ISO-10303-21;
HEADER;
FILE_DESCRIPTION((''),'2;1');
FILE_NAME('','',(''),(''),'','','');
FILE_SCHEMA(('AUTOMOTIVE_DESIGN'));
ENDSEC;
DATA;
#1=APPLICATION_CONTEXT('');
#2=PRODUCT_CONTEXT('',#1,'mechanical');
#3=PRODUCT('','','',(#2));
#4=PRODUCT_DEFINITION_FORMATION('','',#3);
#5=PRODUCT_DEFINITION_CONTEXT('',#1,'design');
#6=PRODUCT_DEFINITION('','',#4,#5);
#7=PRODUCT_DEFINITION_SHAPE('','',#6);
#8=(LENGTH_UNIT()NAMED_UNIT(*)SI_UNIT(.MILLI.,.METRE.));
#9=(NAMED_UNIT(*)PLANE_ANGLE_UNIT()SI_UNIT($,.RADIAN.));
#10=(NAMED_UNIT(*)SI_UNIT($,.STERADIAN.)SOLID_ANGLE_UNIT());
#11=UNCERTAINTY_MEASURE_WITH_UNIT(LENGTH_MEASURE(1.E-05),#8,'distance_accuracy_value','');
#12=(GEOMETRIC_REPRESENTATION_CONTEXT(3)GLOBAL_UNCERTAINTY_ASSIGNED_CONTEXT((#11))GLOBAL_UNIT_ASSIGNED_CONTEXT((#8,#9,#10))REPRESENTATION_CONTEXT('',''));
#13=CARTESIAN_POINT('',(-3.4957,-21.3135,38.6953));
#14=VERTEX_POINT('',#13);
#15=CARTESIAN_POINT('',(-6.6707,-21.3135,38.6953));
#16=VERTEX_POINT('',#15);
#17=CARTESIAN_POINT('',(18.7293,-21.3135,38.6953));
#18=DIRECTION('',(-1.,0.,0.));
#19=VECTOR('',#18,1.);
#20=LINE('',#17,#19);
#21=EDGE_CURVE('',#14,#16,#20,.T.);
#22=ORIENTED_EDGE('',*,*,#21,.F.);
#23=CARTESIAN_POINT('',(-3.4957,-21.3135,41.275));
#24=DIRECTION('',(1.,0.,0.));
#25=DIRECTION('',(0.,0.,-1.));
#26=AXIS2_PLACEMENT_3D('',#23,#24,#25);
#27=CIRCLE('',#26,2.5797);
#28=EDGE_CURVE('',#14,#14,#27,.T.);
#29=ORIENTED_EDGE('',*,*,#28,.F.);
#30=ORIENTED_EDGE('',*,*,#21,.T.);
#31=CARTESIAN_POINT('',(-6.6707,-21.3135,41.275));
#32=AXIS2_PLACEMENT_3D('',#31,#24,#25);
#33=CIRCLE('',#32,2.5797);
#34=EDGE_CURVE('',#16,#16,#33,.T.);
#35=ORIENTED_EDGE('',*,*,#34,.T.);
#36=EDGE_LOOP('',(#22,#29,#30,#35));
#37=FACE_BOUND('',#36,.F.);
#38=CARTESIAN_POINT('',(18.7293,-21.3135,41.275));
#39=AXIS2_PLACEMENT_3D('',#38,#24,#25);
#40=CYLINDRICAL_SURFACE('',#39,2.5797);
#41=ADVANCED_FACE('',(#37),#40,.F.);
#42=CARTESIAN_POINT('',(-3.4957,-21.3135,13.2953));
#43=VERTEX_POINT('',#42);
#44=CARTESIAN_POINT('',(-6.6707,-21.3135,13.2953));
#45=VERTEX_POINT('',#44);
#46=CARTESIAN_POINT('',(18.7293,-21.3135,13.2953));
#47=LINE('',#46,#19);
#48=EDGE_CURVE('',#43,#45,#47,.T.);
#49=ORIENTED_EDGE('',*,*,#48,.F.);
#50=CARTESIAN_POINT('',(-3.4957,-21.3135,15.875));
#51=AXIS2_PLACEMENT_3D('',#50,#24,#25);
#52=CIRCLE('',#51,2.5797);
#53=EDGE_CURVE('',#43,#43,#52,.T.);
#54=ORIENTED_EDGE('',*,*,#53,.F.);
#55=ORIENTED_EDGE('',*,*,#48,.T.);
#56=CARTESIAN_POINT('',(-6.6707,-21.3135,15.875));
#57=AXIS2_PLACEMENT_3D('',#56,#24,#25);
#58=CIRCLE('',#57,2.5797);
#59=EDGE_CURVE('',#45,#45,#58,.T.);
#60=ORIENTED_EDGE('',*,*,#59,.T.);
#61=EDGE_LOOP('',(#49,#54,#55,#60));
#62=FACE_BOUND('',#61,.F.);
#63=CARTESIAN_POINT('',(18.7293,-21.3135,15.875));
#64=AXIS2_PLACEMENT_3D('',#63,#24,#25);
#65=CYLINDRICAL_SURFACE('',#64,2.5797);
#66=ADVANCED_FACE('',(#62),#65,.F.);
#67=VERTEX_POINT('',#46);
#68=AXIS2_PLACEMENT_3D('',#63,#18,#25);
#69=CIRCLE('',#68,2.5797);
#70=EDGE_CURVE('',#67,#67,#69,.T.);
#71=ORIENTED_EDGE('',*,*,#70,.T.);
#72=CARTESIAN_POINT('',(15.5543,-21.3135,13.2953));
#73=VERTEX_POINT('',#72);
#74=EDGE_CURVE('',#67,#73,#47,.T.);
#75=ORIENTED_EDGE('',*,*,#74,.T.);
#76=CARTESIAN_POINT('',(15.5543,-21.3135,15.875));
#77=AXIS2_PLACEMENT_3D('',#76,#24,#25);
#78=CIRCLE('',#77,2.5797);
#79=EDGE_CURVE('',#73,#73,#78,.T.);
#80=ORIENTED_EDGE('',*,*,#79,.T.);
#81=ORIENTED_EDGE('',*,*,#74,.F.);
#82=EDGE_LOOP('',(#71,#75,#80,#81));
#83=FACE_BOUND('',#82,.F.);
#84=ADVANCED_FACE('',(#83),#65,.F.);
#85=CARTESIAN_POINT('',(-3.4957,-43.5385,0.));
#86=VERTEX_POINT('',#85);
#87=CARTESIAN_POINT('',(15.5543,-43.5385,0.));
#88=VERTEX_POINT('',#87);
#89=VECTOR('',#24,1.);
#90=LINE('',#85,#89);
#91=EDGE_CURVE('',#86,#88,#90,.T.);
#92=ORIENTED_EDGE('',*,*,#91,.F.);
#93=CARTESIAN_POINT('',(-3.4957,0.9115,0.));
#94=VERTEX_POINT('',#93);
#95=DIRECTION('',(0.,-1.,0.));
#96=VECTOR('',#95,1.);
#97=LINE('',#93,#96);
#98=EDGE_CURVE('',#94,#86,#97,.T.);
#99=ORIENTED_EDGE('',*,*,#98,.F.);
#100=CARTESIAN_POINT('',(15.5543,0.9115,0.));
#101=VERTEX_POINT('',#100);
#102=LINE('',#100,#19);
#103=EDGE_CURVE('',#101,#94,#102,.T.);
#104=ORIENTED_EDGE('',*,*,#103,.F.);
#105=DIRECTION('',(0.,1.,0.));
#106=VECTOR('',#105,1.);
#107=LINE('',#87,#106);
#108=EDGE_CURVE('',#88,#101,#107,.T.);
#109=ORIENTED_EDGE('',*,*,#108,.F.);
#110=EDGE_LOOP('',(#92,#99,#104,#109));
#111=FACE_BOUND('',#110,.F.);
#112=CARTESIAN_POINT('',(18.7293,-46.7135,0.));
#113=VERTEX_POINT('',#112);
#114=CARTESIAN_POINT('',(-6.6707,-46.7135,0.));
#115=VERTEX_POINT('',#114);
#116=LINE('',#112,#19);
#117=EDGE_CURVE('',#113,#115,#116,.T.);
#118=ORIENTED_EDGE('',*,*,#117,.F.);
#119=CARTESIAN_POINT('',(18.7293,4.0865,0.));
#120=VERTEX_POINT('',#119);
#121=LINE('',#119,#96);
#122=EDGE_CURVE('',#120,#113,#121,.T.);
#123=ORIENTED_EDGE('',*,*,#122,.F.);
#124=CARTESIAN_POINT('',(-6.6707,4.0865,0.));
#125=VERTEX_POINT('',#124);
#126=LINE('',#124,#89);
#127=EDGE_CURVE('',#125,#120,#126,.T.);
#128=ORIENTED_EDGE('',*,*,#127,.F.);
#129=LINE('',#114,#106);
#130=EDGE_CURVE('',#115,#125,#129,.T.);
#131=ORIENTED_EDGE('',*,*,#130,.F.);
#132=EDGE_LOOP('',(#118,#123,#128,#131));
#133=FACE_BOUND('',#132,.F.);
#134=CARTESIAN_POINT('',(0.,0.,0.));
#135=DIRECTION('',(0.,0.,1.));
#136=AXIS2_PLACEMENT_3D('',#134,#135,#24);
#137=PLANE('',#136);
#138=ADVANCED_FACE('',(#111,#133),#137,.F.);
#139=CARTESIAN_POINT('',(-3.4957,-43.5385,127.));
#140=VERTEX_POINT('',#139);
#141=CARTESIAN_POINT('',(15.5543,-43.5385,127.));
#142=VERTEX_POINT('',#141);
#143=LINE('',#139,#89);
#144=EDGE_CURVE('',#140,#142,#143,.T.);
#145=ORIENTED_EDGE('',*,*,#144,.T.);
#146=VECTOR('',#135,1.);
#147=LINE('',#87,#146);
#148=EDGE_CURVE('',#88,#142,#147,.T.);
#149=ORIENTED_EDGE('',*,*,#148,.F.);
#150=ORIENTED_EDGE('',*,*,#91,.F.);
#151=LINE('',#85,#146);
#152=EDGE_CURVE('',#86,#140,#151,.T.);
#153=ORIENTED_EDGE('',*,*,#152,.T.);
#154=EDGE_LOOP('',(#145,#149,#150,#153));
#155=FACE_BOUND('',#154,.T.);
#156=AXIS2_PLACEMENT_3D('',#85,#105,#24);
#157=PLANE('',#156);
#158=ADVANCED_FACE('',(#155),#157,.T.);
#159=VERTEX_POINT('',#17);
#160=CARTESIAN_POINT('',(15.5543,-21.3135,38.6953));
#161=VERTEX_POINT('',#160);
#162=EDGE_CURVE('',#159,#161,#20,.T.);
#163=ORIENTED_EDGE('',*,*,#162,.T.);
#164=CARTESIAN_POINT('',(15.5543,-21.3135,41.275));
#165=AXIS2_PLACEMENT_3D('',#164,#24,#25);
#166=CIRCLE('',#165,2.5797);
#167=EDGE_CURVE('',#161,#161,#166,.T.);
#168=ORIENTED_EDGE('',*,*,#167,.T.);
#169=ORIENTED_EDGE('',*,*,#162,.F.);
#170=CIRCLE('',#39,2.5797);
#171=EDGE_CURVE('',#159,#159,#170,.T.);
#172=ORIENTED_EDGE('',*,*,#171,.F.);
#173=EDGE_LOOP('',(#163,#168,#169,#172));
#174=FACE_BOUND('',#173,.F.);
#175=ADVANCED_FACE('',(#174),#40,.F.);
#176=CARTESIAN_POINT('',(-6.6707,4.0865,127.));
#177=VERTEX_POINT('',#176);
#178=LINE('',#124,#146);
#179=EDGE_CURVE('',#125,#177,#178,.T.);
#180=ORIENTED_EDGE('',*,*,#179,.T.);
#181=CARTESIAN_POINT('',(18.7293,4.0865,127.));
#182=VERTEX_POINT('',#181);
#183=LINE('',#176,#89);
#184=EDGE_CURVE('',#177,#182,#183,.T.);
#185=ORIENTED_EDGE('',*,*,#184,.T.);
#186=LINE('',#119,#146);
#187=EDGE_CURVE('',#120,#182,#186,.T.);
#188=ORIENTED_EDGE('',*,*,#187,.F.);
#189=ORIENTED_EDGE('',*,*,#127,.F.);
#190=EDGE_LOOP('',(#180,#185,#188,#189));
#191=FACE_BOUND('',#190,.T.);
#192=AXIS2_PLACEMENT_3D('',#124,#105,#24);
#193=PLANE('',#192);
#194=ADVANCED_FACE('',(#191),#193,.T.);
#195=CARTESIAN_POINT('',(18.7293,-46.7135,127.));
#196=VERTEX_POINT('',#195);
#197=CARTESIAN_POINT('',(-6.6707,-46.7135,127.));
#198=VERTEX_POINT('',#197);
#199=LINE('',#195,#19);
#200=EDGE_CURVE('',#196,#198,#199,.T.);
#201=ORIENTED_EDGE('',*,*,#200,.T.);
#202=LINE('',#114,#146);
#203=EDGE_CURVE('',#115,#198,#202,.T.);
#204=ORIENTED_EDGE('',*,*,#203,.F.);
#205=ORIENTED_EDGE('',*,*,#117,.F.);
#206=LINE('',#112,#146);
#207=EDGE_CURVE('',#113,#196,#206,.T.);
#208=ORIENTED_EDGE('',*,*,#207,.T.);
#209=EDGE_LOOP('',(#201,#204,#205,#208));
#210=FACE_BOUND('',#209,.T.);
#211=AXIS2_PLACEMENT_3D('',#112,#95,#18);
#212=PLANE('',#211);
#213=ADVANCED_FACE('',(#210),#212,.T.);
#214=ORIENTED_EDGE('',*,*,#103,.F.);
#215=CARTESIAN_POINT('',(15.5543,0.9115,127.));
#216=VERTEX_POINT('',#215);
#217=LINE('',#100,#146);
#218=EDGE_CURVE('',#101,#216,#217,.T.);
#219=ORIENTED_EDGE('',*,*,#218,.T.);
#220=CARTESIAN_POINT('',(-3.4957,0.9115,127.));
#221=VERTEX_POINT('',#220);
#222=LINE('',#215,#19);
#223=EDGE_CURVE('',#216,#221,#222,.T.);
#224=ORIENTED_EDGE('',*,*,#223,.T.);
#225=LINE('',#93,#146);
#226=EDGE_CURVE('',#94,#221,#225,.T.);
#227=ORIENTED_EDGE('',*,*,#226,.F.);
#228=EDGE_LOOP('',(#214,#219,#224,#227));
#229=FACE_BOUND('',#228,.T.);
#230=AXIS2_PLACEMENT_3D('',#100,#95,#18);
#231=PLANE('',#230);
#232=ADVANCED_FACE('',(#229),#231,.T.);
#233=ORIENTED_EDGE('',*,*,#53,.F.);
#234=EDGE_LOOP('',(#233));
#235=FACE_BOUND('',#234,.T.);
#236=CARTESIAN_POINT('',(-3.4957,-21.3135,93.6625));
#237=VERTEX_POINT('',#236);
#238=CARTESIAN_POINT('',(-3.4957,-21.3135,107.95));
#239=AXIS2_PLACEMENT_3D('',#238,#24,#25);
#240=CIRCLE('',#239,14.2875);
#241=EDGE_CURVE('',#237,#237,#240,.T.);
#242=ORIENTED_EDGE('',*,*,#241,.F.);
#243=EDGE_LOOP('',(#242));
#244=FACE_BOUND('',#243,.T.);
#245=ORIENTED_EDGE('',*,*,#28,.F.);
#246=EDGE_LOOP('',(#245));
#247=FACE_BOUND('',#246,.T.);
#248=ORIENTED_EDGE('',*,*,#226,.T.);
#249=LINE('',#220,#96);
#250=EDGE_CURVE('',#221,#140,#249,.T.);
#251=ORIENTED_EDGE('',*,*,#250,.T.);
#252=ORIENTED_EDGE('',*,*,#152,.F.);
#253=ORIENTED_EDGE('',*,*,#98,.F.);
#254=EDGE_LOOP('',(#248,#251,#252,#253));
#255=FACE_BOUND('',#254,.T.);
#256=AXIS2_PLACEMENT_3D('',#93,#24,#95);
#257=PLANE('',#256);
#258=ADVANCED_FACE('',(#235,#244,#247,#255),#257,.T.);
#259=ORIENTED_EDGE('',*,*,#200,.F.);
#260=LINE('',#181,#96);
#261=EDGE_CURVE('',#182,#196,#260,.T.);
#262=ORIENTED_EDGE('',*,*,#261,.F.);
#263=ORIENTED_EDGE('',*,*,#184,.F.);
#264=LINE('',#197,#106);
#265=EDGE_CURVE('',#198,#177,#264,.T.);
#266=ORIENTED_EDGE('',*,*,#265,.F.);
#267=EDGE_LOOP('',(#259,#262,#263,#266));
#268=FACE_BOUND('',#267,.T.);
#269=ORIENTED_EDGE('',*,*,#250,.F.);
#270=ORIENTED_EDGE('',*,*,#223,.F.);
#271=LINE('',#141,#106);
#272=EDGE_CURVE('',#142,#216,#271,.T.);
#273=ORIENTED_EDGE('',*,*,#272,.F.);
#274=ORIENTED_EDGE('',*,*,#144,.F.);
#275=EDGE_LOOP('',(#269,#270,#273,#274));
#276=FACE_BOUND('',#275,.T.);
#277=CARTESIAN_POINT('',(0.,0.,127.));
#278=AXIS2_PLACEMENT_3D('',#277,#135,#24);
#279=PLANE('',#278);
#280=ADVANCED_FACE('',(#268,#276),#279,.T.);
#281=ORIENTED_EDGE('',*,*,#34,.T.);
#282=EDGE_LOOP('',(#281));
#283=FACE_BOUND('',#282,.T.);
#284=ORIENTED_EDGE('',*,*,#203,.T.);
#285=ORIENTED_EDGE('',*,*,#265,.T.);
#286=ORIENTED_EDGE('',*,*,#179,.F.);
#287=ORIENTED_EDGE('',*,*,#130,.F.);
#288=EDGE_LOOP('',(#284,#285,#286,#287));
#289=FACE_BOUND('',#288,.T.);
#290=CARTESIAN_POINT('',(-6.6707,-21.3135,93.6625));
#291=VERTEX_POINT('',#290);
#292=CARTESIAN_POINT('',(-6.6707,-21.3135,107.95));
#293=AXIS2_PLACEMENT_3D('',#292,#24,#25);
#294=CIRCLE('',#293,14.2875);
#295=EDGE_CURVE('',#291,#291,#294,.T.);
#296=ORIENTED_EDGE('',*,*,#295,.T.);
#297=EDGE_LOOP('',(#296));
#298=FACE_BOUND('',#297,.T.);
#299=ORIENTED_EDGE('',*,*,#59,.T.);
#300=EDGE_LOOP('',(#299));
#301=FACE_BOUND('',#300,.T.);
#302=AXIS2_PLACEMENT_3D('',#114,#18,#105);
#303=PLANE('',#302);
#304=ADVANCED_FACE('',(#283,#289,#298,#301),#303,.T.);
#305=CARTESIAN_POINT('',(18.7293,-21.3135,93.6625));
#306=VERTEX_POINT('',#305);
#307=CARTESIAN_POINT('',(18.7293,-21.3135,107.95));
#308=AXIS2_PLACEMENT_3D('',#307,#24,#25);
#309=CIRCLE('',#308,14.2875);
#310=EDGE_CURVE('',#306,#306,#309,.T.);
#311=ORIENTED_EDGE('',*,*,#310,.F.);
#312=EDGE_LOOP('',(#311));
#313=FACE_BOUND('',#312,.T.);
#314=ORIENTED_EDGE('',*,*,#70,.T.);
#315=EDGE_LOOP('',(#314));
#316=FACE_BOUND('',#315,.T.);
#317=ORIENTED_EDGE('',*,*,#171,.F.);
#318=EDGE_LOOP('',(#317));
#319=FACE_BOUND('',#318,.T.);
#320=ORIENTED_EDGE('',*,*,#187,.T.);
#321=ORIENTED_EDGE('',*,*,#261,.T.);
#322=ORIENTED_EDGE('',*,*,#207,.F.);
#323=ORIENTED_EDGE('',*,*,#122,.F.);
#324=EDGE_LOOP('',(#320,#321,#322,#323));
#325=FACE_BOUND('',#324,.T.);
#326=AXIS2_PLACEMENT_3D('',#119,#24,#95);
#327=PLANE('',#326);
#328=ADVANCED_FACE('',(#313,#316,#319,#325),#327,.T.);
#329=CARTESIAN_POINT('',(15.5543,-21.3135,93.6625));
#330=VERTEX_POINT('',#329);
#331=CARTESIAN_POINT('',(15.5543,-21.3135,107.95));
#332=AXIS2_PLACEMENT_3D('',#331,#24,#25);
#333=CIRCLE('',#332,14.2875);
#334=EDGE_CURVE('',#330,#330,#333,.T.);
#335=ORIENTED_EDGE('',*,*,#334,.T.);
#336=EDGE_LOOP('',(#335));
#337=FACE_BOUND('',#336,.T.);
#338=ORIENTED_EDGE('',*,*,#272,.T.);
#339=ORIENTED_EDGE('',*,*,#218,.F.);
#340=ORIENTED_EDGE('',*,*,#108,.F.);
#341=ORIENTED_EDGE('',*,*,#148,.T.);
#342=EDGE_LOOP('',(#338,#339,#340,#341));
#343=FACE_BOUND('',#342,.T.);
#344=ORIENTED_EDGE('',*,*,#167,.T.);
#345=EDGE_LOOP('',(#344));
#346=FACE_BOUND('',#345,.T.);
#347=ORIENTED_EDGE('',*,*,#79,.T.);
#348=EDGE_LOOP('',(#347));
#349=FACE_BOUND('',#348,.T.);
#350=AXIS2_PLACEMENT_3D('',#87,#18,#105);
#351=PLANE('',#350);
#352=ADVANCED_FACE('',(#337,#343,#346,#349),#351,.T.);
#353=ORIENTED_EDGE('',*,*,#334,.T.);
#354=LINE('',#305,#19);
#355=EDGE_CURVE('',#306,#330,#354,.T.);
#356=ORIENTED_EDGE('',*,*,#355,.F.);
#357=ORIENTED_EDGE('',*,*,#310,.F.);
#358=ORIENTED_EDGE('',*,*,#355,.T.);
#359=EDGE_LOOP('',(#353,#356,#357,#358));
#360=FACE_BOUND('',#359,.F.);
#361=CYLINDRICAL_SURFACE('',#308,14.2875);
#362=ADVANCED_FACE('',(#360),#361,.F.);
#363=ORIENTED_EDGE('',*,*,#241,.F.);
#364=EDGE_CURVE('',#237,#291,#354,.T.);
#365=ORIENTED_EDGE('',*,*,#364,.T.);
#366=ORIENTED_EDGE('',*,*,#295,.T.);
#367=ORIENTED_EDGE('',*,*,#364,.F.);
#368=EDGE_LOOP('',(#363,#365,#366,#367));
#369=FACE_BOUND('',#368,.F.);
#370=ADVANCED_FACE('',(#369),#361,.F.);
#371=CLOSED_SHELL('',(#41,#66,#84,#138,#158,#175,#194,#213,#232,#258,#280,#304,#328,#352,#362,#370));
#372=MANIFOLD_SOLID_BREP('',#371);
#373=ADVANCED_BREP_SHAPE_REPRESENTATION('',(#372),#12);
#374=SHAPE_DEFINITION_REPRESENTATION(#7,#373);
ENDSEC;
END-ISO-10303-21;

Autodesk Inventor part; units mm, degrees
ref_plane "YZ Plane" through (0, 0, 0) normal (1, 0, 0) x (0, 1, 0)
ref_plane "XZ Plane" through (0, 0, 0) normal (0, 1, 0) x (-1, 0, 0)
ref_plane "XY Plane" through (0, 0, 0) normal (0, 0, 1) x (1, 0, 0)
sketch "Sketch1" plane through (0, 0, 0) normal (0, 0, 1) x (1, 0, 0)
  line L0 (-6.6707, 4.0865) -> (18.7293, 4.0865)
  line L1 (18.7293, 4.0865) -> (18.7293, -46.7135)
  line L2 (18.7293, -46.7135) -> (-6.6707, -46.7135)
  line L3 (-6.6707, -46.7135) -> (-6.6707, 4.0865)
  line L4 (15.5543, 0.9115) -> (-3.4957, 0.9115)
  line L5 (-3.4957, 0.9115) -> (-3.4957, -43.5385)
  line L6 (-3.4957, -43.5385) -> (15.5543, -43.5385)
  line L7 (15.5543, -43.5385) -> (15.5543, 0.9115)
  point P0 (0, 0)
  dimension "d0" = 25.4
  dimension "d1" = 50.8
  dimension "d2" = 3.175
extrude "Extrusion1" add sketch "Sketch1" along normal blind 127
sketch "Sketch2" plane through (18.7293, -46.7135, 0) normal (1, 0, 0) x (0, 0, -1)
  line L0 (0, 47.625) -> (0, 3.175) projected
  line L1 (0, 25.4) -> (-107.95, 25.4)
  circle A0 centre (-107.95, 25.4) radius 14.2875
  point P0 (0, 46.7135)
  dimension "d5" = 107.95
  dimension "d6" = 28.575
extrude "Extrusion2" cut sketch "Sketch2" against normal blind 101.6
sketch "Sketch3" plane through (18.7293, -46.7135, 0) normal (1, 0, 0) x (0, 0, -1)
  line L0 (0, 47.625) -> (0, 3.175) projected
  line L1 (0, 25.4) -> (-15.875, 25.4)
  line L2 (-15.875, 25.4) -> (-41.275, 25.4)
  circle A0 centre (-15.875, 25.4) radius 2.5797
  circle A1 centre (-41.275, 25.4) radius 2.5797
  point P0 (0, 46.7135)
  dimension "d9" = 15.875
  dimension "d10" = 25.4
  dimension "d11" = 5.1594
  dimension "d12" = 5.1594
extrude "Extrusion3" cut sketch "Sketch3" against normal blind 101.6
properties part number "Gearbox Shaft Stabilizer"
